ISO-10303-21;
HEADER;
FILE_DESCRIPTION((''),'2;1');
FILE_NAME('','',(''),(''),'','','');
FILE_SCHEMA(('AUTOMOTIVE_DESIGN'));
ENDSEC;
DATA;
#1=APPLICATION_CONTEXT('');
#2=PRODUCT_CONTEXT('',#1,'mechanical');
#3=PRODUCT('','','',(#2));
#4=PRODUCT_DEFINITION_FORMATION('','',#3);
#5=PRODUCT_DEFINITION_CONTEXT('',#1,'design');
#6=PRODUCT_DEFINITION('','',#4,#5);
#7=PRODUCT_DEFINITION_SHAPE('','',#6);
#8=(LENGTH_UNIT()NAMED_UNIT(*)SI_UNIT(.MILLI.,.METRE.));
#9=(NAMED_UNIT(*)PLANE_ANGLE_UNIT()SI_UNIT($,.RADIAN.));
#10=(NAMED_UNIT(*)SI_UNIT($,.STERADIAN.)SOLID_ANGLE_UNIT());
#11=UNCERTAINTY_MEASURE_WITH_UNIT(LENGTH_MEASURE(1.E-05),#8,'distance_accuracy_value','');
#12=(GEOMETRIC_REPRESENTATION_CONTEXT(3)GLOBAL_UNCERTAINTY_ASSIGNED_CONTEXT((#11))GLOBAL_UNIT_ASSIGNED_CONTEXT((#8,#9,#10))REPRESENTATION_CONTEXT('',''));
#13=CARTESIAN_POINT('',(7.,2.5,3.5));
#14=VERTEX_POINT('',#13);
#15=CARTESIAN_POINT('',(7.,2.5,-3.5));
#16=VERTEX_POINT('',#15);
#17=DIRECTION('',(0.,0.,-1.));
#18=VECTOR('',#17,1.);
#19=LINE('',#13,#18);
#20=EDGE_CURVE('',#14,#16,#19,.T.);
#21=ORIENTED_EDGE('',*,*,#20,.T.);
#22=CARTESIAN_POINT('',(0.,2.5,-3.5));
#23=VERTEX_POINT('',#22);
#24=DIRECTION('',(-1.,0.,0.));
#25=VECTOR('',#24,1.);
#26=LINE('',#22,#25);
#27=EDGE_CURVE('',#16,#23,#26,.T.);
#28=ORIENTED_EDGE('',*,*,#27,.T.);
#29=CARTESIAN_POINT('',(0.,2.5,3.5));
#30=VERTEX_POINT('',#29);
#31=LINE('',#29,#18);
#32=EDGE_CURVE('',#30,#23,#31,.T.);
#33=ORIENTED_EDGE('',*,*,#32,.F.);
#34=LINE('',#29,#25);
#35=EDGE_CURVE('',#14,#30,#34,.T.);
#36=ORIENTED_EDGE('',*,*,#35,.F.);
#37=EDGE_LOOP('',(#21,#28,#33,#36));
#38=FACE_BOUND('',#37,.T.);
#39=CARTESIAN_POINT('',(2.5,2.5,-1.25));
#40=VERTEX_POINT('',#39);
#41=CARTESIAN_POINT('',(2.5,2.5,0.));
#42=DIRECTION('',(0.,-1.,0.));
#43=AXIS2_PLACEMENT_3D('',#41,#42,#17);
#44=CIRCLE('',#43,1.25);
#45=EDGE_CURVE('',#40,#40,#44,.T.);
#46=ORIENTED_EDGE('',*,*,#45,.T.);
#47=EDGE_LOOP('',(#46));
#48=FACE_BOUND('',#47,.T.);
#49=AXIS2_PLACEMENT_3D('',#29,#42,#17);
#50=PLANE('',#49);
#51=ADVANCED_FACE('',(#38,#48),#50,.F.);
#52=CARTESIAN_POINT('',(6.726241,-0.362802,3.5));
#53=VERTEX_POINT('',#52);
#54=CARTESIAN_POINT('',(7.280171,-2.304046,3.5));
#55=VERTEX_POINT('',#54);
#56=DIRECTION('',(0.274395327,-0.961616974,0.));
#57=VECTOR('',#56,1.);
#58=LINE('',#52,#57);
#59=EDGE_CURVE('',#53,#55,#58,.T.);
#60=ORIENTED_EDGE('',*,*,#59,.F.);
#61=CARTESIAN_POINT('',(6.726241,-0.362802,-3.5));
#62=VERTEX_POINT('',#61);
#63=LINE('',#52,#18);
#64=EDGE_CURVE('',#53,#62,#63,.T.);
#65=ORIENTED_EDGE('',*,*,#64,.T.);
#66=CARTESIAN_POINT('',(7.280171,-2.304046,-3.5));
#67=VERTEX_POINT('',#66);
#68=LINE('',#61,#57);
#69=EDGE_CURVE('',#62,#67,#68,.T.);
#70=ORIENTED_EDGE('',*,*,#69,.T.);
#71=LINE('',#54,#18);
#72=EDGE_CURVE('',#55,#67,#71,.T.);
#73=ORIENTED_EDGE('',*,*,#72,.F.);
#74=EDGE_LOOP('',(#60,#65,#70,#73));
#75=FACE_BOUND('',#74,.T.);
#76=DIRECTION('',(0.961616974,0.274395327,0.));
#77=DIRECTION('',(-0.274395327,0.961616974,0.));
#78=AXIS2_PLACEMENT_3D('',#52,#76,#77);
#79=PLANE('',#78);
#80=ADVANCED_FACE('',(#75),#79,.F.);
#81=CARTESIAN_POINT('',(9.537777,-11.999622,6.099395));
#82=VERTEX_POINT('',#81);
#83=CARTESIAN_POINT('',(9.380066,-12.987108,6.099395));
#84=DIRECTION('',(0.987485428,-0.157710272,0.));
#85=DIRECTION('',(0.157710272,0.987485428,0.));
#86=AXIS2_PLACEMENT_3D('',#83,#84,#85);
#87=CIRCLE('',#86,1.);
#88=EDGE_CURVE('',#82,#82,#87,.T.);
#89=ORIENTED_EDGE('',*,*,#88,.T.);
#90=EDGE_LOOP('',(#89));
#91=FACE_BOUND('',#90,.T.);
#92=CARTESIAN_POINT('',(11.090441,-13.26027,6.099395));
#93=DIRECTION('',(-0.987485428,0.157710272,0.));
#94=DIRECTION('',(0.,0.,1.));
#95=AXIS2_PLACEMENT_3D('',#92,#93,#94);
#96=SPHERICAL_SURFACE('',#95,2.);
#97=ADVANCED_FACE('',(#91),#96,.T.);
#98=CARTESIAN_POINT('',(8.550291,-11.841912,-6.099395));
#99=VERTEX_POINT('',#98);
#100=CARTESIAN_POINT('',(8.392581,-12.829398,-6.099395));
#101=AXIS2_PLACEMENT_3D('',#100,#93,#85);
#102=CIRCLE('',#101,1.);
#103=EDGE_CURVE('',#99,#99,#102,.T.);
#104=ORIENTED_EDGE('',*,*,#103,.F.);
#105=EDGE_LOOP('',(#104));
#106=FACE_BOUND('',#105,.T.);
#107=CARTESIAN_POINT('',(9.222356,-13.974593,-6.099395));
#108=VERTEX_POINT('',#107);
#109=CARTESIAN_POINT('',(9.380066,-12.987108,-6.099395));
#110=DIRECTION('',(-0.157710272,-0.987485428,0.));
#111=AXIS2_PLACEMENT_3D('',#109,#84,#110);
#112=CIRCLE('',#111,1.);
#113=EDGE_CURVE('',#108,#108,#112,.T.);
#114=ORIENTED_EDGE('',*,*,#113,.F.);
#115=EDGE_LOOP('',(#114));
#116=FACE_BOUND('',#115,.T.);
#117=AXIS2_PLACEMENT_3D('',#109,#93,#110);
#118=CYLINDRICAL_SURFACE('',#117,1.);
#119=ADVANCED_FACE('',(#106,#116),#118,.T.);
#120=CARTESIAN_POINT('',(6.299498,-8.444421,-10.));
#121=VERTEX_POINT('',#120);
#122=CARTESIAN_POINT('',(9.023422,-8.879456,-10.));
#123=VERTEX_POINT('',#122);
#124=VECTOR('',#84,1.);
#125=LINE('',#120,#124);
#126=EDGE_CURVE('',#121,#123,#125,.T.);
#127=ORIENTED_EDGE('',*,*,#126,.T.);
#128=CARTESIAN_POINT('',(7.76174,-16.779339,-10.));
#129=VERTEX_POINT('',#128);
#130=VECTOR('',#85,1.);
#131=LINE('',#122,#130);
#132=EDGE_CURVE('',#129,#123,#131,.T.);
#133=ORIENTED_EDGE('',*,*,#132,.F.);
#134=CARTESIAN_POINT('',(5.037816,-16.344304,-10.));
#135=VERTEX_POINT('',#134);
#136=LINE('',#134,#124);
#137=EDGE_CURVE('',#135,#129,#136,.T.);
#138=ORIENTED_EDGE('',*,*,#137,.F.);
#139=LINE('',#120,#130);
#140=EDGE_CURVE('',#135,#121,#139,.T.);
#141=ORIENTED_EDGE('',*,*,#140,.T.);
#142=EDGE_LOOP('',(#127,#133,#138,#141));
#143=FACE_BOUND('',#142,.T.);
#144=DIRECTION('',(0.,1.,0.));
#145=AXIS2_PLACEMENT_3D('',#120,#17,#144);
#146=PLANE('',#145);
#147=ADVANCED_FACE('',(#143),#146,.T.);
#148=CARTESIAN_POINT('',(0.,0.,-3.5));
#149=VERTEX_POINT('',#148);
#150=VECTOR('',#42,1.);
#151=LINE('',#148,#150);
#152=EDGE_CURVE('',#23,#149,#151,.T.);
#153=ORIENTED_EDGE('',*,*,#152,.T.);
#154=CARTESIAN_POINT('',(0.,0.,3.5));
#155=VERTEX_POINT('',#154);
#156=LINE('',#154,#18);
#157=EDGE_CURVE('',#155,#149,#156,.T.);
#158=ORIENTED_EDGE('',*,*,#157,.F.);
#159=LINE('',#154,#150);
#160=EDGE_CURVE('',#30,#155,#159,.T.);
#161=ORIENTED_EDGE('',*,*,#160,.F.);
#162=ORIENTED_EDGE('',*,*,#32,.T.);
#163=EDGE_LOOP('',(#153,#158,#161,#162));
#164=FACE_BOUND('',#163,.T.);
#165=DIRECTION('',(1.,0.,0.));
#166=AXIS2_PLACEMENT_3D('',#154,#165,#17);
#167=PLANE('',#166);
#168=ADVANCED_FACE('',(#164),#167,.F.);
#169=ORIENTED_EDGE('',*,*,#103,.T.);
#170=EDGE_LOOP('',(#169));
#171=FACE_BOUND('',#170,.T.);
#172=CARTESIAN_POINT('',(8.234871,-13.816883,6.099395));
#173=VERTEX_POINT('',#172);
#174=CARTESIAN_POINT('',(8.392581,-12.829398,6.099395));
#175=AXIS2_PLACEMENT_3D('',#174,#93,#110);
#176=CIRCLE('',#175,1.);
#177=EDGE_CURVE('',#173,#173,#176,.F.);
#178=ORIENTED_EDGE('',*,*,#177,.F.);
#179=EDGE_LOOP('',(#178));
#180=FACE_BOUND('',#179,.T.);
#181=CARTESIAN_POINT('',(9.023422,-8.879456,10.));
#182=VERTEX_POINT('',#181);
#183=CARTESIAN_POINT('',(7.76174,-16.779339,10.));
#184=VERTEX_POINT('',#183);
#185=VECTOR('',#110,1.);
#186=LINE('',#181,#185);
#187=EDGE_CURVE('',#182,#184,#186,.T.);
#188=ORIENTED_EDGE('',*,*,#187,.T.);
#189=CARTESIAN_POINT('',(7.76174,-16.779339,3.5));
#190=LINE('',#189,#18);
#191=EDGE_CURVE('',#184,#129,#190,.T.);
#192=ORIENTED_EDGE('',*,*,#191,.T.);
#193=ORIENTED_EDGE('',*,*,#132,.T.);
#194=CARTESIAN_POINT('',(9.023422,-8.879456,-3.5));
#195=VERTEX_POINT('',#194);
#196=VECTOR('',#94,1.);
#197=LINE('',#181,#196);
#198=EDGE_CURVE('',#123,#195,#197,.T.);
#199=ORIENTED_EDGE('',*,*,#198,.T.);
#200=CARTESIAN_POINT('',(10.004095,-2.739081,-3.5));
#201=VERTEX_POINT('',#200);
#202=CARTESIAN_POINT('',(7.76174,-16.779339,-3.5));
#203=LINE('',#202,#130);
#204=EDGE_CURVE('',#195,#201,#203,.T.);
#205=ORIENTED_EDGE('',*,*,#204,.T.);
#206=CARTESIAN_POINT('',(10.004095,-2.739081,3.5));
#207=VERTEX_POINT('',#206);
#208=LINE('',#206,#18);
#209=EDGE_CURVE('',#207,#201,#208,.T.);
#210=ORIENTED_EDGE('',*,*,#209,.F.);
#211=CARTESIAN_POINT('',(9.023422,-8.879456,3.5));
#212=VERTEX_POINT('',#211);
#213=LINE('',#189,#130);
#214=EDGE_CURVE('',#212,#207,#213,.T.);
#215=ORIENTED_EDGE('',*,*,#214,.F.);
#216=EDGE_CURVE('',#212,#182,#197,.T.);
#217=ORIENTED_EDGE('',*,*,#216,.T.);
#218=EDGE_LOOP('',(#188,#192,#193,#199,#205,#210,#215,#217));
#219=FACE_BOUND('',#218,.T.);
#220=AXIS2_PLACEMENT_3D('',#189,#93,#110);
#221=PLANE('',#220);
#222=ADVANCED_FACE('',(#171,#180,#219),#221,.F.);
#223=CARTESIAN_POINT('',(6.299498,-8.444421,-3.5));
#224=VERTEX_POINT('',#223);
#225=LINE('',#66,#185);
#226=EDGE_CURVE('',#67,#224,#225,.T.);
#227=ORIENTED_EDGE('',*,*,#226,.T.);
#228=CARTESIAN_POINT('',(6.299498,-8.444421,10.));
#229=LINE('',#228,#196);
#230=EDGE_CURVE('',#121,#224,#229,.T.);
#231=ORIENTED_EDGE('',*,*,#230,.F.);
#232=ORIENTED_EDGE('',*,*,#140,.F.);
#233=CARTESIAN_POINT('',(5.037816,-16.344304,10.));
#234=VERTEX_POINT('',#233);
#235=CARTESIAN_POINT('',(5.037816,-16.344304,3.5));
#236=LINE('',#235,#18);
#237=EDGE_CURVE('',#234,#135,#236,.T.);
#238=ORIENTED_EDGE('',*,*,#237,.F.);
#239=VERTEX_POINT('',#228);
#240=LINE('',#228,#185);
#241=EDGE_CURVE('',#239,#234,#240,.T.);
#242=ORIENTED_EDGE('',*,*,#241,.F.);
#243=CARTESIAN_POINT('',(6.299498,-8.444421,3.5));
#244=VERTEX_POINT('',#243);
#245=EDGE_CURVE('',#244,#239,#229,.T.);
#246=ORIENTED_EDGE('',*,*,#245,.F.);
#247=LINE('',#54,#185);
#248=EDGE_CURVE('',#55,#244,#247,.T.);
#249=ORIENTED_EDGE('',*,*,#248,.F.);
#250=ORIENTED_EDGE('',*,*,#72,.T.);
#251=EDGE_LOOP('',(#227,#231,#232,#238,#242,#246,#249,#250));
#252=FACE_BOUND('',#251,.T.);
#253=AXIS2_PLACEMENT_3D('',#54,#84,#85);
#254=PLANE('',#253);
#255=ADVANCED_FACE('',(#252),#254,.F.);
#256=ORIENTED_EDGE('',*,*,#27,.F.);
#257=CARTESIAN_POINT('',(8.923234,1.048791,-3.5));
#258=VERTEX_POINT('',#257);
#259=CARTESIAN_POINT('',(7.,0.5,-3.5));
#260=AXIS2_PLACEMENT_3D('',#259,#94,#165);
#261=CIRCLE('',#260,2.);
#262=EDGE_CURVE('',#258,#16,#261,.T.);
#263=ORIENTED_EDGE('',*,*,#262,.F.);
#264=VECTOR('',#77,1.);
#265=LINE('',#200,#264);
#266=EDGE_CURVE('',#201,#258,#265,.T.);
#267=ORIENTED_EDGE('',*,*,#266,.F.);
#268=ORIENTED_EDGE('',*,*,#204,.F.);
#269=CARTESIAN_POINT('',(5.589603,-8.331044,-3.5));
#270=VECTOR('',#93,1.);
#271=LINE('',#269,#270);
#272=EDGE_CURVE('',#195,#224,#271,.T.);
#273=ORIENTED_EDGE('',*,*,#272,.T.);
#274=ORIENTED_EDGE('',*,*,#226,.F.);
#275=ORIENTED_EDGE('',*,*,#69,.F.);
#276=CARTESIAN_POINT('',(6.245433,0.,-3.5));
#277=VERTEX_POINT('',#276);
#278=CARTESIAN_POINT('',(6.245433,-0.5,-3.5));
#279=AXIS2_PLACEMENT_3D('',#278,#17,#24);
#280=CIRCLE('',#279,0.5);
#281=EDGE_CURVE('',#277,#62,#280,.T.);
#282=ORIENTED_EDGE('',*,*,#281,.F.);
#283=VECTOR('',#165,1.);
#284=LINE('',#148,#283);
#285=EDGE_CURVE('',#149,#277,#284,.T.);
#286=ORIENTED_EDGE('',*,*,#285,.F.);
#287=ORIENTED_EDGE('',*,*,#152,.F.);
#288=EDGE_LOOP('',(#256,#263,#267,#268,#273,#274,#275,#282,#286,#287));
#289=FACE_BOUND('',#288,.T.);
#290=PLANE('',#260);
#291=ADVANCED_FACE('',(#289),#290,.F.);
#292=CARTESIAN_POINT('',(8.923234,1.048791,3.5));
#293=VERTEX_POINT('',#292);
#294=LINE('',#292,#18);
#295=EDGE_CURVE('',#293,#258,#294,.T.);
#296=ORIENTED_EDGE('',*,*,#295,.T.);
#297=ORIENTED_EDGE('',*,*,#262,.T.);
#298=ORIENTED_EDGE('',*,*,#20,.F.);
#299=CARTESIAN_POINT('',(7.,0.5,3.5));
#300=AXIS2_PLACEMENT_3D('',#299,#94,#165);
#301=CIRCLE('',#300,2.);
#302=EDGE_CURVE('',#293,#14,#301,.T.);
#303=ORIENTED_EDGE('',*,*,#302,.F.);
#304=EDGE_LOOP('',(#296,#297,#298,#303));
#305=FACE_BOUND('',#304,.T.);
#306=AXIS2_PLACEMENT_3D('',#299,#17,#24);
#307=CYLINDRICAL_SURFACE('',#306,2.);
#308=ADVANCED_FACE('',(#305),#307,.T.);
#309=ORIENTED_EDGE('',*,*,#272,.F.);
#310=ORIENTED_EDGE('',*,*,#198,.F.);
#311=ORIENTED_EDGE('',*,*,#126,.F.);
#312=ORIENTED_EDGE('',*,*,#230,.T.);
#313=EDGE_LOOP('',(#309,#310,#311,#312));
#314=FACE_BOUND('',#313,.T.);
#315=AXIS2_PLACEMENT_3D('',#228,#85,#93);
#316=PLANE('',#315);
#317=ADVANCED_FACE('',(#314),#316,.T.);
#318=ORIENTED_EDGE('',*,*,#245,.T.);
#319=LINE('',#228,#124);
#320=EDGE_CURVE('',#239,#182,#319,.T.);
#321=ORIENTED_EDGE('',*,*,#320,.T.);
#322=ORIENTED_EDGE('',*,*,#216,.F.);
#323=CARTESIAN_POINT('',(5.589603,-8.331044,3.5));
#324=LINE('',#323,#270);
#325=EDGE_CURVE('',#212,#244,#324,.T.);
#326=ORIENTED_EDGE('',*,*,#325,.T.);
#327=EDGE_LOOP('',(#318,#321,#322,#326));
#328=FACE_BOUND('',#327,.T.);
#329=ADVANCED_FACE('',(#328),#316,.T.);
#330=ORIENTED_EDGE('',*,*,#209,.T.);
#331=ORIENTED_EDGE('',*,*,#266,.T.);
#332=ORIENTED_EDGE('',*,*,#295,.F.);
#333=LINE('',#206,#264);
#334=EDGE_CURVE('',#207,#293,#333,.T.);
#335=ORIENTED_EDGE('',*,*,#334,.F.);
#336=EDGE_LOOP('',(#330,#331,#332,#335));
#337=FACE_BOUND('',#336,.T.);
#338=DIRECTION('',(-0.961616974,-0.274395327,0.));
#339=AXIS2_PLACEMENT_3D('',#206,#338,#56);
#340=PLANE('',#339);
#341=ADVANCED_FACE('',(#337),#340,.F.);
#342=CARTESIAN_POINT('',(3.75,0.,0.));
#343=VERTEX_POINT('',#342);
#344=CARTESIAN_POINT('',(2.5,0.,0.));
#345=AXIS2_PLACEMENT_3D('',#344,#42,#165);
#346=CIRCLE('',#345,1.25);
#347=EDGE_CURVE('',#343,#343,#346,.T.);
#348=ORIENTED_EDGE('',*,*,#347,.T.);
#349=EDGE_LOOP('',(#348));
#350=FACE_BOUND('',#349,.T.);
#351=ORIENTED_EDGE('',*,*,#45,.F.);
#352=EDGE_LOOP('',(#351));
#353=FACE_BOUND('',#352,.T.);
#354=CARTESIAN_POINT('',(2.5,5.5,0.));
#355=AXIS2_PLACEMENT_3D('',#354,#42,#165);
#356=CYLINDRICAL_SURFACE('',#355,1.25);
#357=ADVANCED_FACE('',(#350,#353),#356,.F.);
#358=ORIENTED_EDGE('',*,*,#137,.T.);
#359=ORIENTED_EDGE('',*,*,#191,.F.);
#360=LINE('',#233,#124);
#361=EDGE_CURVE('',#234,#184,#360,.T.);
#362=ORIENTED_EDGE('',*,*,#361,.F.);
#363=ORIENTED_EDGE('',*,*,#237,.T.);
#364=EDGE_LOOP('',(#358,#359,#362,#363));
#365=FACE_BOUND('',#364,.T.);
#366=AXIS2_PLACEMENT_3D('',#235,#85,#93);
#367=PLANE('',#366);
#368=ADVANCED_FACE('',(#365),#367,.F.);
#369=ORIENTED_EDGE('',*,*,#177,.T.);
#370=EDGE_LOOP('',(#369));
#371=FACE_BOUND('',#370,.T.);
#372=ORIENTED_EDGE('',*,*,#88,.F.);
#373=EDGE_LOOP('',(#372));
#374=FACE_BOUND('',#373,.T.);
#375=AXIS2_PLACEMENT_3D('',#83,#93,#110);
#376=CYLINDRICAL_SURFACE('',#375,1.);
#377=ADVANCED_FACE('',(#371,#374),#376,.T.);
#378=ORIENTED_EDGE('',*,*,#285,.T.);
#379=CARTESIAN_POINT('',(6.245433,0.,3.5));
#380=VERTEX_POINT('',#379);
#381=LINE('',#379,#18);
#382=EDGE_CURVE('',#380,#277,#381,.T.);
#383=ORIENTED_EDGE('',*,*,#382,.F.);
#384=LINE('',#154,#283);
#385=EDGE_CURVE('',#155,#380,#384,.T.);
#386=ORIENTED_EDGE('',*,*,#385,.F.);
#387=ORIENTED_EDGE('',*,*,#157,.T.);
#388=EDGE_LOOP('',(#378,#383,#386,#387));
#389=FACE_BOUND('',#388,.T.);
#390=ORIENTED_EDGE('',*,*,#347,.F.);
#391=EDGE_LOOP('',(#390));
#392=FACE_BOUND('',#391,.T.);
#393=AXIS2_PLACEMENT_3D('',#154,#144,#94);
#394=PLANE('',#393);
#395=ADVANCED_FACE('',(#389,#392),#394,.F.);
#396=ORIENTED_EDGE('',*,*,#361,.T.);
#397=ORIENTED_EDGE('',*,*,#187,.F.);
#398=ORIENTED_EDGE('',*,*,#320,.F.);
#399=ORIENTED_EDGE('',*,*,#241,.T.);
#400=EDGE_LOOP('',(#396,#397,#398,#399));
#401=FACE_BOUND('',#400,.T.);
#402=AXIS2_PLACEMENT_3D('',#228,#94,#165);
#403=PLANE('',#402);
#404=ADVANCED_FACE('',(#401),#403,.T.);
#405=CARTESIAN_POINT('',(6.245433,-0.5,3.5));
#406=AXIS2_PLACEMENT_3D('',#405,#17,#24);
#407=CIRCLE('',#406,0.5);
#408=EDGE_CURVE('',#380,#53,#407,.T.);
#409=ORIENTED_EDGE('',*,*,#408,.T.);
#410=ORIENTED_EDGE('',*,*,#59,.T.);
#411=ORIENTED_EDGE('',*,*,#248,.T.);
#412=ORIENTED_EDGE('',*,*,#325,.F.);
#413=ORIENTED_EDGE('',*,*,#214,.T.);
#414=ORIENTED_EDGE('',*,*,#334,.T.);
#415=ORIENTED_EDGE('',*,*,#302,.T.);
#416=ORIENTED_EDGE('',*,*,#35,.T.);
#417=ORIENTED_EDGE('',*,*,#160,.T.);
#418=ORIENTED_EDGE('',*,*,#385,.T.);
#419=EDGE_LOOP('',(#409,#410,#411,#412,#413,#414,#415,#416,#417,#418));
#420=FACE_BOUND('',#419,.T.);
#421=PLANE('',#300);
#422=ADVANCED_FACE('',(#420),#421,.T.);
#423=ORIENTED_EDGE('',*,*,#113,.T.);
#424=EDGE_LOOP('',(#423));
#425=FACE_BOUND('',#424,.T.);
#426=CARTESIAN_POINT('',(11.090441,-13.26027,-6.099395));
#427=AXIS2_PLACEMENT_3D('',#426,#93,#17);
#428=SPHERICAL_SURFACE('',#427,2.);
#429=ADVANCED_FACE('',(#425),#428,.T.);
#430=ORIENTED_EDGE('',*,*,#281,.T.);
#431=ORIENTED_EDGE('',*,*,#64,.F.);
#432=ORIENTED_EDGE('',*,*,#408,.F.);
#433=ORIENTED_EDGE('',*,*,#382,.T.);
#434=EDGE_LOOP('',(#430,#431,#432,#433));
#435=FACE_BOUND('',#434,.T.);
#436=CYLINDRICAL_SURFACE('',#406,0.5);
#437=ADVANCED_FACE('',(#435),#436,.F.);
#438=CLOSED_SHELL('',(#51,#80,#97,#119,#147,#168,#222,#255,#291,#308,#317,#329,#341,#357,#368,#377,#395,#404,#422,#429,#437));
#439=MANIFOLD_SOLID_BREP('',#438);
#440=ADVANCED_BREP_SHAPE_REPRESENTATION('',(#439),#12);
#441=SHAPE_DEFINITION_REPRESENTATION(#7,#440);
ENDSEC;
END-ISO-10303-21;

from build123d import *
from build123d.topology import SkipClean

# Parameters (mm, degrees)
EXTRUDE_1_DEPTH     = 3.5
SKETCH_2_R          = 1.25
CUT_EXTRUDE_3_DEPTH = 5.5
SKETCH_3_W          = 20
SKETCH_3_H          = 8
EXTRUDE_2_DEPTH     = 2.758445
SKETCH_4_R          = 1
EXTRUDE_3_DEPTH     = 1


with BuildPart() as part:
    # 草图1 → 凸台-拉伸1 (new, symmetric)
    with BuildSketch(Plane.XY):
        with BuildLine():
            Line((0, 0), (6.245432753, 0))
            ThreePointArc((6.245432753, 0), (6.54659813, -0.100876691), (6.72624124, -0.362802336))
            Line((6.72624124, -0.362802336), (7.280170813, -2.304045596))
            Line((7.280170813, -2.304045596), (5.037815697, -16.344304172))
            Line((5.037815697, -16.344304172), (7.761739738, -16.779339251))
            Line((7.761739738, -16.779339251), (10.004094853, -2.739080675))
            Line((10.004094853, -2.739080675), (8.923233948, 1.048790655))
            ThreePointArc((8.923233948, 1.048790655), (8.204661507, 2.096493237), (7, 2.5))
            Line((7, 2.5), (0, 2.5))
            Line((0, 2.5), (0, 0))
        make_face()
    extrude(amount=EXTRUDE_1_DEPTH, both=True)

    # 草图2 → 切除-拉伸3 (cut)
    with BuildSketch(Plane.XZ):
        with Locations((2.5, 0)):
            Circle(SKETCH_2_R)
    extrude(amount=-CUT_EXTRUDE_3_DEPTH, mode=Mode.SUBTRACT)

    # 草图3 → 凸台-拉伸2 (add)
    with SkipClean():  # the faces are left unmerged after this step: merging them gives an invalid solid
        with BuildSketch(Plane(origin=(10.181842804, -1.62613154, 0), x_dir=(0, 0, -1), z_dir=(0.9874854277803842, -0.15771027208584712, 0))):
            with Locations((0, -11.345246912)):
                Rectangle(SKETCH_3_W, SKETCH_3_H)
        extrude(amount=-EXTRUDE_2_DEPTH)

    # 草图4 → 凸台-拉伸3 (add)
    with SkipClean():  # the faces are left unmerged after this step: merging them gives an invalid solid
        with BuildSketch(Plane(origin=(10.181842804, -1.62613154, 0), x_dir=(0, 0, -1), z_dir=(0.9874854277803842, -0.15771027208584712, 0))):
            with Locations(Location((-6.099395407, -11.345246912, 0), (0, 0, 270))):
                Circle(SKETCH_4_R)
        extrude_3 = extrude(amount=EXTRUDE_3_DEPTH)

    # 草图5 → 旋转1 (revolve)
    with SkipClean():  # the faces are left unmerged after this step: merging them gives an invalid solid
        with BuildSketch(Plane(origin=(-1.789261977, -11.203266001, 0), x_dir=(-0.9874854277803842, 0.15771027208584712, 0), z_dir=(0.15771027208584712, 0.9874854277803842, 0))):
            with BuildLine():
                Line((-11.310879044, 6.099395407), (-15.042929852, 6.099395407))
                ThreePointArc((-15.042929852, 6.099395407), (-13.560567942, 8.031247059), (-11.310879044, 7.099395407))
                Line((-11.310879044, 7.099395407), (-11.310879044, 6.099395407))
            make_face()
        revolve_1 = revolve(axis=Axis((9.380066254, -12.987107812, 6.099395407), (0.987485427780384, -0.15771027208584756, 0)))

    # 镜向1: 凸台-拉伸3, 旋转1 across plane
    with SkipClean():  # the faces are left unmerged after this step: merging them gives an invalid solid
        add(extrude_3.mirror(Plane.XY))
        add(revolve_1.mirror(Plane.XY))


solid = part.part
